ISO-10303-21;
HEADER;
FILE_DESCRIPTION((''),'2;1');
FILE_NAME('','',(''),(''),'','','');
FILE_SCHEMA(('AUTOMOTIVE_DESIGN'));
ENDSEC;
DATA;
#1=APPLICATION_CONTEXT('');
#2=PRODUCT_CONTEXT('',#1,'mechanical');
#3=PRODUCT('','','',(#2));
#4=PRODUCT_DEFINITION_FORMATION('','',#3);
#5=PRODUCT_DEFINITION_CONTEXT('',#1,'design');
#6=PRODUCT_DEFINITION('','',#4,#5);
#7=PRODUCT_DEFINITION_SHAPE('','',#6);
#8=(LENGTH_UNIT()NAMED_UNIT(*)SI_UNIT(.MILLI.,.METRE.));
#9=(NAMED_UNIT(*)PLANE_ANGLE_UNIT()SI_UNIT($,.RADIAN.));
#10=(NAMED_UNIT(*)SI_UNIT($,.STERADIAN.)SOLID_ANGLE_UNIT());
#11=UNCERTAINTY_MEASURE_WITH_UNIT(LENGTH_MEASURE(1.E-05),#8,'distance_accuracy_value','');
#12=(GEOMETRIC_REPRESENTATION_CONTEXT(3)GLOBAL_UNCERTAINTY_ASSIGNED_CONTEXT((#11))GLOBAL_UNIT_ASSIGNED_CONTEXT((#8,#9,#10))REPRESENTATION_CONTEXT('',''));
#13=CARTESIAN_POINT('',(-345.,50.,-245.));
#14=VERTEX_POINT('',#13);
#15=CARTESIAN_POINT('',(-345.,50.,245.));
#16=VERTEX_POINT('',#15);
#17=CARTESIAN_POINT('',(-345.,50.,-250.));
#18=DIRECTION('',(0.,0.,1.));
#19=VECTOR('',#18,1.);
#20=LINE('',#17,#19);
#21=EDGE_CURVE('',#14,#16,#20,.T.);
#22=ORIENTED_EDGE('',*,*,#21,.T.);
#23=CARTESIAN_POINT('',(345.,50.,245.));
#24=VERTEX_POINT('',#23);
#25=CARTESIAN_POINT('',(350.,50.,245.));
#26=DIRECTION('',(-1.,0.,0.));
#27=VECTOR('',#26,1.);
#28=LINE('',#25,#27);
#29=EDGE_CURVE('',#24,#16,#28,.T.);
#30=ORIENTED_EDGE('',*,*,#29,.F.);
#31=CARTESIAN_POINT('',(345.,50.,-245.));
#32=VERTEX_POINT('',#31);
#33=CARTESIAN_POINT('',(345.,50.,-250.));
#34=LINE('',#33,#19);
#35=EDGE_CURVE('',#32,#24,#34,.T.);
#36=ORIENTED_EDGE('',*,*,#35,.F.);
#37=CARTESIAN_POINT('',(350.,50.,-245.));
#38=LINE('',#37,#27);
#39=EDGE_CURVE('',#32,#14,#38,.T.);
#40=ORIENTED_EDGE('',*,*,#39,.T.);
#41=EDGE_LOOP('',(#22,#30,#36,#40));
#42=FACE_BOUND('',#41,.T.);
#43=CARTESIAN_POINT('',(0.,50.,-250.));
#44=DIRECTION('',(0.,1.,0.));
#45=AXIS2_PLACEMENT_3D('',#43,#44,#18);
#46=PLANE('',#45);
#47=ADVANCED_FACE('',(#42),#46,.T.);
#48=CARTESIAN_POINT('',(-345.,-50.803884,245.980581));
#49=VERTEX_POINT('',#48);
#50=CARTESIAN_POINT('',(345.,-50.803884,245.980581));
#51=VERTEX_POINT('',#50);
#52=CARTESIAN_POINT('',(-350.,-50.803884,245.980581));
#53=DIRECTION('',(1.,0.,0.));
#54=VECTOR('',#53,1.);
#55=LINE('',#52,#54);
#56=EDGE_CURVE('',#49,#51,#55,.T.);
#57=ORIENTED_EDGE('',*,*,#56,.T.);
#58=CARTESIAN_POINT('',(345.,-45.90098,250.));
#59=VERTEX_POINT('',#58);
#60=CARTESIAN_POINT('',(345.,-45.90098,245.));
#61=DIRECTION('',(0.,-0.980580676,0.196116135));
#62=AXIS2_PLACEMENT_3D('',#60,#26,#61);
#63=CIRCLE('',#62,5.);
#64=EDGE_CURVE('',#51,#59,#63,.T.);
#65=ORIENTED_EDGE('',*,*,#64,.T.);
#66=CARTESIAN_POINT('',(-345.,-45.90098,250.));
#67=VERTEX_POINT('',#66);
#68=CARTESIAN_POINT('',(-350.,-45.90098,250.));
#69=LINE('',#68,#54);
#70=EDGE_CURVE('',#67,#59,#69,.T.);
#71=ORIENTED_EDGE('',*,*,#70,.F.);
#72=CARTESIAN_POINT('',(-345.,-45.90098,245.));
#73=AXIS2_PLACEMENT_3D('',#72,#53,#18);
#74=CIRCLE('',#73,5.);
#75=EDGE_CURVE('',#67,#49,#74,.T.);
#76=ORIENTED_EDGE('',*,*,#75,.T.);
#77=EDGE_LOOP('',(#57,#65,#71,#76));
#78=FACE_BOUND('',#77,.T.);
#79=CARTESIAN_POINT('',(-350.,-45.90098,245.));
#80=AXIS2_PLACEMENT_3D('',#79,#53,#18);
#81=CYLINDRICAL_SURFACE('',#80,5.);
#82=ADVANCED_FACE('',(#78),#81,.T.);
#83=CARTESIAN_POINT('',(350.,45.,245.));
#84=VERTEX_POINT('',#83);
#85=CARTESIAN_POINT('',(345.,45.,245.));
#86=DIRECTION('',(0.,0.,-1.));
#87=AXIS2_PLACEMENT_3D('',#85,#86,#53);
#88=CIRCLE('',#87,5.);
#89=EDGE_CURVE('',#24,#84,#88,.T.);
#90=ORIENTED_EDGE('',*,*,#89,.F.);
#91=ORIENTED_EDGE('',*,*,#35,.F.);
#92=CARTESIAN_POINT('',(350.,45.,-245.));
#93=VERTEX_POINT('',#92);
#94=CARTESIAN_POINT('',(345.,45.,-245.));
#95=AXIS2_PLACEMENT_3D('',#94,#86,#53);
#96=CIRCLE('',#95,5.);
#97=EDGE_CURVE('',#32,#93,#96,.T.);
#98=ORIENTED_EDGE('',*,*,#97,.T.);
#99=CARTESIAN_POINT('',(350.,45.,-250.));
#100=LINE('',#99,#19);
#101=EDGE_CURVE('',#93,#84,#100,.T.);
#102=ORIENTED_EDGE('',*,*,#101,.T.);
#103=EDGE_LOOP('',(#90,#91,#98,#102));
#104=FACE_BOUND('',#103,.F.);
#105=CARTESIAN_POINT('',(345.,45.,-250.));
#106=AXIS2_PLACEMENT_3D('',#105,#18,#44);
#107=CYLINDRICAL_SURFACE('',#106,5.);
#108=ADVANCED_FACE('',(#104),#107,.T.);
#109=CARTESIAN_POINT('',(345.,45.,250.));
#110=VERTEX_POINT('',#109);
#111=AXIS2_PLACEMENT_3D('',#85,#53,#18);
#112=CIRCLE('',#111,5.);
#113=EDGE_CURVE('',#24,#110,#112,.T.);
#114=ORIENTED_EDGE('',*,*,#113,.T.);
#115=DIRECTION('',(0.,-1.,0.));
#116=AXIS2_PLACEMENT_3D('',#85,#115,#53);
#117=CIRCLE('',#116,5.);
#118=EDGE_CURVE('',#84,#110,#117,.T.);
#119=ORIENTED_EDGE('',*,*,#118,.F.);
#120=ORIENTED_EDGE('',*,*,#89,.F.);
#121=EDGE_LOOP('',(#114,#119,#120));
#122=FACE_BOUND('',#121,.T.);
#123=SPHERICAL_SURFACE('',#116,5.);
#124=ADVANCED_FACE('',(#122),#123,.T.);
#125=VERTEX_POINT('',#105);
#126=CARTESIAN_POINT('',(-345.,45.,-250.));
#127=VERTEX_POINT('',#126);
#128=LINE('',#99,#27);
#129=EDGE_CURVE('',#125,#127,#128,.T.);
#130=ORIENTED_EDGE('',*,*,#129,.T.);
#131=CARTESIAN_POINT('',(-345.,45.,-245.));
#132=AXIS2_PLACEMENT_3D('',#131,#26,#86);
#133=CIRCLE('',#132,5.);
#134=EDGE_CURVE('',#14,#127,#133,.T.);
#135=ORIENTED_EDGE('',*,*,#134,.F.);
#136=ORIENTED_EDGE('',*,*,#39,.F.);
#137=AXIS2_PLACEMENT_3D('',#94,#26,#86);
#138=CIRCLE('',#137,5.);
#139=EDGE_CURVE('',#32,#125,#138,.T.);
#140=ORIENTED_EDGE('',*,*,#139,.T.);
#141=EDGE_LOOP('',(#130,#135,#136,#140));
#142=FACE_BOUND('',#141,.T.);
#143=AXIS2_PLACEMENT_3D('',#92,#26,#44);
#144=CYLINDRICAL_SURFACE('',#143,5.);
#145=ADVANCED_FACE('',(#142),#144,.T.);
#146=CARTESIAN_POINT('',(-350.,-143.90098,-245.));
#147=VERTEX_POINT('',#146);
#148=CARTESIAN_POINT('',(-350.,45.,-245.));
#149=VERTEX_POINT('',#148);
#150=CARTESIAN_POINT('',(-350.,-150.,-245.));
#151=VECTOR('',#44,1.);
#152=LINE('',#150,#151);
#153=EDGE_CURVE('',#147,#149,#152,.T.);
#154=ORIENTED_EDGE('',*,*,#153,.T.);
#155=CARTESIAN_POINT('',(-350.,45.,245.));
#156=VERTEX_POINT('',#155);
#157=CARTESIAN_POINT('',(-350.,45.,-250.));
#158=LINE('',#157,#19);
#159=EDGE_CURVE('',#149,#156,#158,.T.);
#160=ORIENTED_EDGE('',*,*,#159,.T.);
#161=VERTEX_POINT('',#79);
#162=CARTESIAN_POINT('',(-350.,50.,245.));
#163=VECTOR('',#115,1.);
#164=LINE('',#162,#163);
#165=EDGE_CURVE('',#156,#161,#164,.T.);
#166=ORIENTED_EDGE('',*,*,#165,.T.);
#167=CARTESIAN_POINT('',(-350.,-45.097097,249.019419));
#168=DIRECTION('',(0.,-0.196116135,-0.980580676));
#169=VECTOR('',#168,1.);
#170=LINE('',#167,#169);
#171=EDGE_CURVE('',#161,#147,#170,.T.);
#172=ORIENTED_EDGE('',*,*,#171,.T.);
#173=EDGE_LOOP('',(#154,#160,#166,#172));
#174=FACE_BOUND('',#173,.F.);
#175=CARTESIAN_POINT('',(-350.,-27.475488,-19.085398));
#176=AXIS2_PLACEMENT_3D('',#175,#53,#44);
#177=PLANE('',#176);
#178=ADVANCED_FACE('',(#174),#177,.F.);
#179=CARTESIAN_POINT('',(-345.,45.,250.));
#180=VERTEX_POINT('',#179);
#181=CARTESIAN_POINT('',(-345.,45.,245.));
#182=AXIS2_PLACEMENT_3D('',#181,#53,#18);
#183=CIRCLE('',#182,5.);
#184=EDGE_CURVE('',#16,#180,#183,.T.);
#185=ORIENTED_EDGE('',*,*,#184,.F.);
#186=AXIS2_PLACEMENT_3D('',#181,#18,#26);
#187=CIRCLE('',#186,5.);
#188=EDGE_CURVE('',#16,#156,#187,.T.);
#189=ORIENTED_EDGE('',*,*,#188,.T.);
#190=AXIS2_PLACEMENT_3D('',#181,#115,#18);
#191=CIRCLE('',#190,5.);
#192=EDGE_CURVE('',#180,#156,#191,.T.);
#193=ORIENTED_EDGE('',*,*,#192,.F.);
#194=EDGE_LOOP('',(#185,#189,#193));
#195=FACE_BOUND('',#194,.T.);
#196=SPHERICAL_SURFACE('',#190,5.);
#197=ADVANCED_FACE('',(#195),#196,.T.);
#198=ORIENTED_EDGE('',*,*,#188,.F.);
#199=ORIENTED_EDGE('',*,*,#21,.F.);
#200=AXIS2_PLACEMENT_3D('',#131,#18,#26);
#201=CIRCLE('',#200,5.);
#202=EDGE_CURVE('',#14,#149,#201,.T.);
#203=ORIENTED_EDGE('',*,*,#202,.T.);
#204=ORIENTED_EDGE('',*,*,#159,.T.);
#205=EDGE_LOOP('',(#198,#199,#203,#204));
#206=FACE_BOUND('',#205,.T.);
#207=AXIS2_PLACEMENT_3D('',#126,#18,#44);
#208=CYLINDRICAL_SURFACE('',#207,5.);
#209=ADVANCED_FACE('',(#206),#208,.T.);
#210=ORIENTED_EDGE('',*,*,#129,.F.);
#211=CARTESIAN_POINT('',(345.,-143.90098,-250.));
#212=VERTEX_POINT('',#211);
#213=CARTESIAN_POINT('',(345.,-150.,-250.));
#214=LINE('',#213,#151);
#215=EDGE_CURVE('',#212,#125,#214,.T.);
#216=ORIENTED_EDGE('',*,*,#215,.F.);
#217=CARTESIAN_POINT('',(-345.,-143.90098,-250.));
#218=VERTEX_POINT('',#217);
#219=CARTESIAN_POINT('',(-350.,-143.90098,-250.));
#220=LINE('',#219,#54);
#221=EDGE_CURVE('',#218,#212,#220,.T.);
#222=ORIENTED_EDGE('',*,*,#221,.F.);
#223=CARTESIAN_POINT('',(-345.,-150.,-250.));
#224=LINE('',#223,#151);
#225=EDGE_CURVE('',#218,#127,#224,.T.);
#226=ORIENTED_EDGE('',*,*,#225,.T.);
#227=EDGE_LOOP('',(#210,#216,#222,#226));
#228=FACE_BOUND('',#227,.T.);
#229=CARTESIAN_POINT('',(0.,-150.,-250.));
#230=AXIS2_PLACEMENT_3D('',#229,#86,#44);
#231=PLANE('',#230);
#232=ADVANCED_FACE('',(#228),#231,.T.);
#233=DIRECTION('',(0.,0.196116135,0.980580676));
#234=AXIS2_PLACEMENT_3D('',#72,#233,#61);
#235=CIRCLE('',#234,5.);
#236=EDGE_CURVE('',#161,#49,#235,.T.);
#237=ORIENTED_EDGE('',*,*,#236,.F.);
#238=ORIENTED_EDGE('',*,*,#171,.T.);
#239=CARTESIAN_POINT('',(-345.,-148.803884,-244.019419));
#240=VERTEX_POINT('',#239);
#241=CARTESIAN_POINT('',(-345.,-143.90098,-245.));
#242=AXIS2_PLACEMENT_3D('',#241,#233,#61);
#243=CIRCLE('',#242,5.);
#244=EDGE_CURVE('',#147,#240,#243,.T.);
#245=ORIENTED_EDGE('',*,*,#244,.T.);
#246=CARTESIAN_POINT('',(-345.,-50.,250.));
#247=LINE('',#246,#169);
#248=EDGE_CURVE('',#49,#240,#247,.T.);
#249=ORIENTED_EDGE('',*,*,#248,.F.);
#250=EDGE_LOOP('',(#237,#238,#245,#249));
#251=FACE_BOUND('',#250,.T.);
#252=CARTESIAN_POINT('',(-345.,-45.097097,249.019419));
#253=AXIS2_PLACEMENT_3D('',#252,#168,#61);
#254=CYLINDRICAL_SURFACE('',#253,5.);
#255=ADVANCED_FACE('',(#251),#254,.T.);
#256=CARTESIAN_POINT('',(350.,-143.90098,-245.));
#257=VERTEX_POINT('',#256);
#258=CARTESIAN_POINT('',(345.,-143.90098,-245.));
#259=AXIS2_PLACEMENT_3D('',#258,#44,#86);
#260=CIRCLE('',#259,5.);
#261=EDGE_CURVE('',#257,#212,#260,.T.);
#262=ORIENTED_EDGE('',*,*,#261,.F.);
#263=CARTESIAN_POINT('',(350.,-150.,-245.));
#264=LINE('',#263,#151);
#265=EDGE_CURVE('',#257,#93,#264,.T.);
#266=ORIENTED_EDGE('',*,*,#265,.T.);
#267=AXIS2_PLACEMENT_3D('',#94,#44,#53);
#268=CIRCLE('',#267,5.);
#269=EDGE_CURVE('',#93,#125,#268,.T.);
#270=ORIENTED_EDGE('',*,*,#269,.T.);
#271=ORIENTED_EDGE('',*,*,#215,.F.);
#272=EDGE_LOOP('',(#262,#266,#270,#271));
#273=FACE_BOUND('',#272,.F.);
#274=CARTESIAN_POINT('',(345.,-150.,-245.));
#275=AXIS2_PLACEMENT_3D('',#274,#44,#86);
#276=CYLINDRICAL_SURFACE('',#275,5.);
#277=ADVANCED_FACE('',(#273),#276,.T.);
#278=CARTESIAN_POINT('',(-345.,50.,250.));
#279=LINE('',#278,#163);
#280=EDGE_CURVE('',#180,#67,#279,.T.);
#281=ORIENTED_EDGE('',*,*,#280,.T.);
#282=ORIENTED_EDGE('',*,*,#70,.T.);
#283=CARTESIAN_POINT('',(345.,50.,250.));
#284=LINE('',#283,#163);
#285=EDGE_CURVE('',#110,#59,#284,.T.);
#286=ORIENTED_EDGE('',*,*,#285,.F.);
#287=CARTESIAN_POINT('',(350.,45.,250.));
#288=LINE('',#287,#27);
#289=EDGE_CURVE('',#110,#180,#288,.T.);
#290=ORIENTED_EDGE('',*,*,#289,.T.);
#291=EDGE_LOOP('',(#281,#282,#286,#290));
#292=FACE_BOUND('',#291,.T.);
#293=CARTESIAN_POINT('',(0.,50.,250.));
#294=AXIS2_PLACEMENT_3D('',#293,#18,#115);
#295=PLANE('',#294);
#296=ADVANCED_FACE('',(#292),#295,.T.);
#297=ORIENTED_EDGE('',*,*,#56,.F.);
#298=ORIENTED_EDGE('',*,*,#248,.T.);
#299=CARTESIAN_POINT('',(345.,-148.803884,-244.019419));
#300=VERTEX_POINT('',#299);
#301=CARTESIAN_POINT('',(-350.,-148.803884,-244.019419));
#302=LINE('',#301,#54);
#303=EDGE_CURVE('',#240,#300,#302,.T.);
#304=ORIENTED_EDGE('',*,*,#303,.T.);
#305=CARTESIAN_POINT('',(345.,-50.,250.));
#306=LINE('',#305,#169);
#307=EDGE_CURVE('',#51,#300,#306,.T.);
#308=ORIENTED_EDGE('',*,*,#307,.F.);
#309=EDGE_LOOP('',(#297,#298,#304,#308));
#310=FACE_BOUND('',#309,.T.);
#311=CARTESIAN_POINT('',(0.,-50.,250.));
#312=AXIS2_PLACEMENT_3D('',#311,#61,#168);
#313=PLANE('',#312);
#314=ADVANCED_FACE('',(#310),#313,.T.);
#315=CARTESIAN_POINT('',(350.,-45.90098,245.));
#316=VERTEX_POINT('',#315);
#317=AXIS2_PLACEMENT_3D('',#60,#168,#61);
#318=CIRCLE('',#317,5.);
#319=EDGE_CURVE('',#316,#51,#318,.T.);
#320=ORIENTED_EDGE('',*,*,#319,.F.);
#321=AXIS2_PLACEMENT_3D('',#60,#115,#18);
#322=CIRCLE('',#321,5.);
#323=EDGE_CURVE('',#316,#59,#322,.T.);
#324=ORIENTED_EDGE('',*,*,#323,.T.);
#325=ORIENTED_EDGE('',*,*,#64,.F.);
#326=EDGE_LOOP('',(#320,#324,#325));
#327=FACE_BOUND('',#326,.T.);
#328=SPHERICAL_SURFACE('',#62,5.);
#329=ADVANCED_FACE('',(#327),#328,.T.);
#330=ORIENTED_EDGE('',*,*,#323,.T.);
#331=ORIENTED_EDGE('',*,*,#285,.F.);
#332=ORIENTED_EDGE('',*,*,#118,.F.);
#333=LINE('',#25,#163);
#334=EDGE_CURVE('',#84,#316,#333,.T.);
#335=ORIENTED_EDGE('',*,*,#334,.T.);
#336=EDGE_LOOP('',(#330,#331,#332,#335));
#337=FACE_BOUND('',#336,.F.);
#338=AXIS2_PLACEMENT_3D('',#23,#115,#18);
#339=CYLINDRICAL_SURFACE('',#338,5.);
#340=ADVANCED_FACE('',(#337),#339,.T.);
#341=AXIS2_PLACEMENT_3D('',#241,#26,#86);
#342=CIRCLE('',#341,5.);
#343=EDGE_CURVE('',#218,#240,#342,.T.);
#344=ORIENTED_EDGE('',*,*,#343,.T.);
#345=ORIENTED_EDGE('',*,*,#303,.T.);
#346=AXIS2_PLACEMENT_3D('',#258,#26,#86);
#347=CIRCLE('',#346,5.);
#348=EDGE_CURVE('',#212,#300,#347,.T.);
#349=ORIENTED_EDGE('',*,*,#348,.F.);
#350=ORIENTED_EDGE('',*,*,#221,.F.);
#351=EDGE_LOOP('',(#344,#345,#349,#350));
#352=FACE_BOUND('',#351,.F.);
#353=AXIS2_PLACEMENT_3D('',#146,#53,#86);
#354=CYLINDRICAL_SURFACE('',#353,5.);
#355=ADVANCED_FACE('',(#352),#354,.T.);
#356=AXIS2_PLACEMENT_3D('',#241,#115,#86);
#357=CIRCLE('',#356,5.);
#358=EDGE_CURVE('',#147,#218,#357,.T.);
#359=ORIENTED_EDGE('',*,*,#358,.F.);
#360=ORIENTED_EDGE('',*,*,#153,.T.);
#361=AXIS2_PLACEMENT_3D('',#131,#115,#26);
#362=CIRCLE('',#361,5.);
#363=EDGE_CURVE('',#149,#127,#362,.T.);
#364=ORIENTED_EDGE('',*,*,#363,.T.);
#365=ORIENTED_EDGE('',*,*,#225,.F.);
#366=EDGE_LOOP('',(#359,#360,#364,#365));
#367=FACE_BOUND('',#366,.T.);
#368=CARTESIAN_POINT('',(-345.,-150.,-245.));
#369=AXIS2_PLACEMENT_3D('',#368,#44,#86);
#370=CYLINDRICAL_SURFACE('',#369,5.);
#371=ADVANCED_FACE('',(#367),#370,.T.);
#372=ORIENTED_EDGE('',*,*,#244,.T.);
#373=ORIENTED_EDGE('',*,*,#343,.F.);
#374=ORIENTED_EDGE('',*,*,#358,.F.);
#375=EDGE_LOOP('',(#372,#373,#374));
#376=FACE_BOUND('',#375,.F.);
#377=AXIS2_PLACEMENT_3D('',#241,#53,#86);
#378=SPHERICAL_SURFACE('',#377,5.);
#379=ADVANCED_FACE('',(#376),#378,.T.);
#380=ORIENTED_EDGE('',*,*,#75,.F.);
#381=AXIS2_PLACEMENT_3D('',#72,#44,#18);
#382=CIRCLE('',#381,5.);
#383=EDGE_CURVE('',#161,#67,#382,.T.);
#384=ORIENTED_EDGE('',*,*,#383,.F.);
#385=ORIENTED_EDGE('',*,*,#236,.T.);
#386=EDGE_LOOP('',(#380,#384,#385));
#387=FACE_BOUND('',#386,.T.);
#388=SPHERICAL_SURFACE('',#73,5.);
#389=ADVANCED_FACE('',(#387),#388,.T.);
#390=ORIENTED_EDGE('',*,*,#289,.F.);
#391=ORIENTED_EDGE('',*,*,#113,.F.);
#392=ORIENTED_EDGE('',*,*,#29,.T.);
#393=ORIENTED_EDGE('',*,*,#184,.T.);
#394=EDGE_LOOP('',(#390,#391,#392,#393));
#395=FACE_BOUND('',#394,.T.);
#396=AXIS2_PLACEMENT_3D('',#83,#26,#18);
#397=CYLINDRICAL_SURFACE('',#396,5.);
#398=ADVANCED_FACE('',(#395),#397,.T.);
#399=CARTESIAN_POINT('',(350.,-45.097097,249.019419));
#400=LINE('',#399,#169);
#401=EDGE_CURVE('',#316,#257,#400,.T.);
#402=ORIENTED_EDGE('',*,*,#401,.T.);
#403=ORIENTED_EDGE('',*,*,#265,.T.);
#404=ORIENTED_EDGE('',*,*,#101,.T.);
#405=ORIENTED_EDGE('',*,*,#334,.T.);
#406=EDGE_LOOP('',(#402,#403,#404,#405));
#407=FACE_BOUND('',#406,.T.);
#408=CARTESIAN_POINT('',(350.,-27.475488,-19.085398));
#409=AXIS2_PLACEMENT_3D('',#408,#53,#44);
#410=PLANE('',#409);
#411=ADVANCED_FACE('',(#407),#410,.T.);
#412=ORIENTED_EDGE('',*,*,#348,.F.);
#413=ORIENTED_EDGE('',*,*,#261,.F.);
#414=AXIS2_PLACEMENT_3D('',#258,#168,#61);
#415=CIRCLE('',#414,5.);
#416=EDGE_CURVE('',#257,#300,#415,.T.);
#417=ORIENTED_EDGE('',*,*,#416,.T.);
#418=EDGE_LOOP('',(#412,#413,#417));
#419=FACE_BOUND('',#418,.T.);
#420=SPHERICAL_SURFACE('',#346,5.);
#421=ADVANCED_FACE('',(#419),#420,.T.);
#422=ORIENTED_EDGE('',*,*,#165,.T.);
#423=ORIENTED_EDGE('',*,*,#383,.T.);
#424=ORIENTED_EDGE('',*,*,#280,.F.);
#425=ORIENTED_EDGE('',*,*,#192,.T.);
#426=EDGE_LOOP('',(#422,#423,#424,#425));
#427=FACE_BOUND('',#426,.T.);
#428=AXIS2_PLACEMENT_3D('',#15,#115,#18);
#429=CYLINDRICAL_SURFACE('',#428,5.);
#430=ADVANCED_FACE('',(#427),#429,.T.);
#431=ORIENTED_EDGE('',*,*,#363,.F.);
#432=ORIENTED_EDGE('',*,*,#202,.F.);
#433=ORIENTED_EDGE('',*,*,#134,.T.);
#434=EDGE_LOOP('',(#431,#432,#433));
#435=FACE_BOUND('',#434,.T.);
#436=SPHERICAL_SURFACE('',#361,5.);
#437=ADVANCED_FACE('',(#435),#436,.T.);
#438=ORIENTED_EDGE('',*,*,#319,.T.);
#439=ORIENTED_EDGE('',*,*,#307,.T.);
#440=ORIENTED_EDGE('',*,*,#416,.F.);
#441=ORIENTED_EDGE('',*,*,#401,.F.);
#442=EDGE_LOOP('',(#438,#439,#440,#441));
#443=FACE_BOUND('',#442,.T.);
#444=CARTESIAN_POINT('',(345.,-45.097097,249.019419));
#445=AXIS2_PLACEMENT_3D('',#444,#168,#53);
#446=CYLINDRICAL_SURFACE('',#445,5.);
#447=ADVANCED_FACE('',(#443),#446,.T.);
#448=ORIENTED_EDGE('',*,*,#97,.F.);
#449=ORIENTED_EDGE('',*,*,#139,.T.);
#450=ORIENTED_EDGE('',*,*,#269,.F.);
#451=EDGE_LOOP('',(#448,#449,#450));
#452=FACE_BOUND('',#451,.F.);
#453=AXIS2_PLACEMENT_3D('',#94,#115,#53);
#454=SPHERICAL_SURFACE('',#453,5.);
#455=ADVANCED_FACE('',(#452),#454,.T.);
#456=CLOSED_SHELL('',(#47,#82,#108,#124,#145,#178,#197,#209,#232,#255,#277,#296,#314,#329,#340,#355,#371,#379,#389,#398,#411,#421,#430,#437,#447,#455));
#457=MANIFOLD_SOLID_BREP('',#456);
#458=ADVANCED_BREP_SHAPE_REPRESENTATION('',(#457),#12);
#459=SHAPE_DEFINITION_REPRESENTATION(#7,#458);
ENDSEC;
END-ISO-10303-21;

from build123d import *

# Parameters (mm, degrees)
F1_DEPTH = 350
F2_R     = 5


with BuildPart() as f1:
    # F0 (on Right) → F1 (new body, symmetric)
    with BuildSketch(Plane.YZ):
        Polygon((50, 250), (-50, 250), (-150, -250), (50, -250), align=None)
    extrude(amount=F1_DEPTH, both=True)

    # F2
    f2_edges = [f1.edges().sort_by_distance(p)[0] for p in [
        (-350, -100, 0),
        (0, -50, 250),
        (350, -100, 0),
        (0, -150, -250),
        (-350, 0, 250),
        (350, 0, 250),
        (350, -50, -250),
        (350, 50, 0),
        (0, 50, 250),
        (-350, -50, -250),
        (-350, 50, 0),
        (0, 50, -250),
    ]]
    fillet(f2_edges, radius=F2_R)


solid = f1.part
